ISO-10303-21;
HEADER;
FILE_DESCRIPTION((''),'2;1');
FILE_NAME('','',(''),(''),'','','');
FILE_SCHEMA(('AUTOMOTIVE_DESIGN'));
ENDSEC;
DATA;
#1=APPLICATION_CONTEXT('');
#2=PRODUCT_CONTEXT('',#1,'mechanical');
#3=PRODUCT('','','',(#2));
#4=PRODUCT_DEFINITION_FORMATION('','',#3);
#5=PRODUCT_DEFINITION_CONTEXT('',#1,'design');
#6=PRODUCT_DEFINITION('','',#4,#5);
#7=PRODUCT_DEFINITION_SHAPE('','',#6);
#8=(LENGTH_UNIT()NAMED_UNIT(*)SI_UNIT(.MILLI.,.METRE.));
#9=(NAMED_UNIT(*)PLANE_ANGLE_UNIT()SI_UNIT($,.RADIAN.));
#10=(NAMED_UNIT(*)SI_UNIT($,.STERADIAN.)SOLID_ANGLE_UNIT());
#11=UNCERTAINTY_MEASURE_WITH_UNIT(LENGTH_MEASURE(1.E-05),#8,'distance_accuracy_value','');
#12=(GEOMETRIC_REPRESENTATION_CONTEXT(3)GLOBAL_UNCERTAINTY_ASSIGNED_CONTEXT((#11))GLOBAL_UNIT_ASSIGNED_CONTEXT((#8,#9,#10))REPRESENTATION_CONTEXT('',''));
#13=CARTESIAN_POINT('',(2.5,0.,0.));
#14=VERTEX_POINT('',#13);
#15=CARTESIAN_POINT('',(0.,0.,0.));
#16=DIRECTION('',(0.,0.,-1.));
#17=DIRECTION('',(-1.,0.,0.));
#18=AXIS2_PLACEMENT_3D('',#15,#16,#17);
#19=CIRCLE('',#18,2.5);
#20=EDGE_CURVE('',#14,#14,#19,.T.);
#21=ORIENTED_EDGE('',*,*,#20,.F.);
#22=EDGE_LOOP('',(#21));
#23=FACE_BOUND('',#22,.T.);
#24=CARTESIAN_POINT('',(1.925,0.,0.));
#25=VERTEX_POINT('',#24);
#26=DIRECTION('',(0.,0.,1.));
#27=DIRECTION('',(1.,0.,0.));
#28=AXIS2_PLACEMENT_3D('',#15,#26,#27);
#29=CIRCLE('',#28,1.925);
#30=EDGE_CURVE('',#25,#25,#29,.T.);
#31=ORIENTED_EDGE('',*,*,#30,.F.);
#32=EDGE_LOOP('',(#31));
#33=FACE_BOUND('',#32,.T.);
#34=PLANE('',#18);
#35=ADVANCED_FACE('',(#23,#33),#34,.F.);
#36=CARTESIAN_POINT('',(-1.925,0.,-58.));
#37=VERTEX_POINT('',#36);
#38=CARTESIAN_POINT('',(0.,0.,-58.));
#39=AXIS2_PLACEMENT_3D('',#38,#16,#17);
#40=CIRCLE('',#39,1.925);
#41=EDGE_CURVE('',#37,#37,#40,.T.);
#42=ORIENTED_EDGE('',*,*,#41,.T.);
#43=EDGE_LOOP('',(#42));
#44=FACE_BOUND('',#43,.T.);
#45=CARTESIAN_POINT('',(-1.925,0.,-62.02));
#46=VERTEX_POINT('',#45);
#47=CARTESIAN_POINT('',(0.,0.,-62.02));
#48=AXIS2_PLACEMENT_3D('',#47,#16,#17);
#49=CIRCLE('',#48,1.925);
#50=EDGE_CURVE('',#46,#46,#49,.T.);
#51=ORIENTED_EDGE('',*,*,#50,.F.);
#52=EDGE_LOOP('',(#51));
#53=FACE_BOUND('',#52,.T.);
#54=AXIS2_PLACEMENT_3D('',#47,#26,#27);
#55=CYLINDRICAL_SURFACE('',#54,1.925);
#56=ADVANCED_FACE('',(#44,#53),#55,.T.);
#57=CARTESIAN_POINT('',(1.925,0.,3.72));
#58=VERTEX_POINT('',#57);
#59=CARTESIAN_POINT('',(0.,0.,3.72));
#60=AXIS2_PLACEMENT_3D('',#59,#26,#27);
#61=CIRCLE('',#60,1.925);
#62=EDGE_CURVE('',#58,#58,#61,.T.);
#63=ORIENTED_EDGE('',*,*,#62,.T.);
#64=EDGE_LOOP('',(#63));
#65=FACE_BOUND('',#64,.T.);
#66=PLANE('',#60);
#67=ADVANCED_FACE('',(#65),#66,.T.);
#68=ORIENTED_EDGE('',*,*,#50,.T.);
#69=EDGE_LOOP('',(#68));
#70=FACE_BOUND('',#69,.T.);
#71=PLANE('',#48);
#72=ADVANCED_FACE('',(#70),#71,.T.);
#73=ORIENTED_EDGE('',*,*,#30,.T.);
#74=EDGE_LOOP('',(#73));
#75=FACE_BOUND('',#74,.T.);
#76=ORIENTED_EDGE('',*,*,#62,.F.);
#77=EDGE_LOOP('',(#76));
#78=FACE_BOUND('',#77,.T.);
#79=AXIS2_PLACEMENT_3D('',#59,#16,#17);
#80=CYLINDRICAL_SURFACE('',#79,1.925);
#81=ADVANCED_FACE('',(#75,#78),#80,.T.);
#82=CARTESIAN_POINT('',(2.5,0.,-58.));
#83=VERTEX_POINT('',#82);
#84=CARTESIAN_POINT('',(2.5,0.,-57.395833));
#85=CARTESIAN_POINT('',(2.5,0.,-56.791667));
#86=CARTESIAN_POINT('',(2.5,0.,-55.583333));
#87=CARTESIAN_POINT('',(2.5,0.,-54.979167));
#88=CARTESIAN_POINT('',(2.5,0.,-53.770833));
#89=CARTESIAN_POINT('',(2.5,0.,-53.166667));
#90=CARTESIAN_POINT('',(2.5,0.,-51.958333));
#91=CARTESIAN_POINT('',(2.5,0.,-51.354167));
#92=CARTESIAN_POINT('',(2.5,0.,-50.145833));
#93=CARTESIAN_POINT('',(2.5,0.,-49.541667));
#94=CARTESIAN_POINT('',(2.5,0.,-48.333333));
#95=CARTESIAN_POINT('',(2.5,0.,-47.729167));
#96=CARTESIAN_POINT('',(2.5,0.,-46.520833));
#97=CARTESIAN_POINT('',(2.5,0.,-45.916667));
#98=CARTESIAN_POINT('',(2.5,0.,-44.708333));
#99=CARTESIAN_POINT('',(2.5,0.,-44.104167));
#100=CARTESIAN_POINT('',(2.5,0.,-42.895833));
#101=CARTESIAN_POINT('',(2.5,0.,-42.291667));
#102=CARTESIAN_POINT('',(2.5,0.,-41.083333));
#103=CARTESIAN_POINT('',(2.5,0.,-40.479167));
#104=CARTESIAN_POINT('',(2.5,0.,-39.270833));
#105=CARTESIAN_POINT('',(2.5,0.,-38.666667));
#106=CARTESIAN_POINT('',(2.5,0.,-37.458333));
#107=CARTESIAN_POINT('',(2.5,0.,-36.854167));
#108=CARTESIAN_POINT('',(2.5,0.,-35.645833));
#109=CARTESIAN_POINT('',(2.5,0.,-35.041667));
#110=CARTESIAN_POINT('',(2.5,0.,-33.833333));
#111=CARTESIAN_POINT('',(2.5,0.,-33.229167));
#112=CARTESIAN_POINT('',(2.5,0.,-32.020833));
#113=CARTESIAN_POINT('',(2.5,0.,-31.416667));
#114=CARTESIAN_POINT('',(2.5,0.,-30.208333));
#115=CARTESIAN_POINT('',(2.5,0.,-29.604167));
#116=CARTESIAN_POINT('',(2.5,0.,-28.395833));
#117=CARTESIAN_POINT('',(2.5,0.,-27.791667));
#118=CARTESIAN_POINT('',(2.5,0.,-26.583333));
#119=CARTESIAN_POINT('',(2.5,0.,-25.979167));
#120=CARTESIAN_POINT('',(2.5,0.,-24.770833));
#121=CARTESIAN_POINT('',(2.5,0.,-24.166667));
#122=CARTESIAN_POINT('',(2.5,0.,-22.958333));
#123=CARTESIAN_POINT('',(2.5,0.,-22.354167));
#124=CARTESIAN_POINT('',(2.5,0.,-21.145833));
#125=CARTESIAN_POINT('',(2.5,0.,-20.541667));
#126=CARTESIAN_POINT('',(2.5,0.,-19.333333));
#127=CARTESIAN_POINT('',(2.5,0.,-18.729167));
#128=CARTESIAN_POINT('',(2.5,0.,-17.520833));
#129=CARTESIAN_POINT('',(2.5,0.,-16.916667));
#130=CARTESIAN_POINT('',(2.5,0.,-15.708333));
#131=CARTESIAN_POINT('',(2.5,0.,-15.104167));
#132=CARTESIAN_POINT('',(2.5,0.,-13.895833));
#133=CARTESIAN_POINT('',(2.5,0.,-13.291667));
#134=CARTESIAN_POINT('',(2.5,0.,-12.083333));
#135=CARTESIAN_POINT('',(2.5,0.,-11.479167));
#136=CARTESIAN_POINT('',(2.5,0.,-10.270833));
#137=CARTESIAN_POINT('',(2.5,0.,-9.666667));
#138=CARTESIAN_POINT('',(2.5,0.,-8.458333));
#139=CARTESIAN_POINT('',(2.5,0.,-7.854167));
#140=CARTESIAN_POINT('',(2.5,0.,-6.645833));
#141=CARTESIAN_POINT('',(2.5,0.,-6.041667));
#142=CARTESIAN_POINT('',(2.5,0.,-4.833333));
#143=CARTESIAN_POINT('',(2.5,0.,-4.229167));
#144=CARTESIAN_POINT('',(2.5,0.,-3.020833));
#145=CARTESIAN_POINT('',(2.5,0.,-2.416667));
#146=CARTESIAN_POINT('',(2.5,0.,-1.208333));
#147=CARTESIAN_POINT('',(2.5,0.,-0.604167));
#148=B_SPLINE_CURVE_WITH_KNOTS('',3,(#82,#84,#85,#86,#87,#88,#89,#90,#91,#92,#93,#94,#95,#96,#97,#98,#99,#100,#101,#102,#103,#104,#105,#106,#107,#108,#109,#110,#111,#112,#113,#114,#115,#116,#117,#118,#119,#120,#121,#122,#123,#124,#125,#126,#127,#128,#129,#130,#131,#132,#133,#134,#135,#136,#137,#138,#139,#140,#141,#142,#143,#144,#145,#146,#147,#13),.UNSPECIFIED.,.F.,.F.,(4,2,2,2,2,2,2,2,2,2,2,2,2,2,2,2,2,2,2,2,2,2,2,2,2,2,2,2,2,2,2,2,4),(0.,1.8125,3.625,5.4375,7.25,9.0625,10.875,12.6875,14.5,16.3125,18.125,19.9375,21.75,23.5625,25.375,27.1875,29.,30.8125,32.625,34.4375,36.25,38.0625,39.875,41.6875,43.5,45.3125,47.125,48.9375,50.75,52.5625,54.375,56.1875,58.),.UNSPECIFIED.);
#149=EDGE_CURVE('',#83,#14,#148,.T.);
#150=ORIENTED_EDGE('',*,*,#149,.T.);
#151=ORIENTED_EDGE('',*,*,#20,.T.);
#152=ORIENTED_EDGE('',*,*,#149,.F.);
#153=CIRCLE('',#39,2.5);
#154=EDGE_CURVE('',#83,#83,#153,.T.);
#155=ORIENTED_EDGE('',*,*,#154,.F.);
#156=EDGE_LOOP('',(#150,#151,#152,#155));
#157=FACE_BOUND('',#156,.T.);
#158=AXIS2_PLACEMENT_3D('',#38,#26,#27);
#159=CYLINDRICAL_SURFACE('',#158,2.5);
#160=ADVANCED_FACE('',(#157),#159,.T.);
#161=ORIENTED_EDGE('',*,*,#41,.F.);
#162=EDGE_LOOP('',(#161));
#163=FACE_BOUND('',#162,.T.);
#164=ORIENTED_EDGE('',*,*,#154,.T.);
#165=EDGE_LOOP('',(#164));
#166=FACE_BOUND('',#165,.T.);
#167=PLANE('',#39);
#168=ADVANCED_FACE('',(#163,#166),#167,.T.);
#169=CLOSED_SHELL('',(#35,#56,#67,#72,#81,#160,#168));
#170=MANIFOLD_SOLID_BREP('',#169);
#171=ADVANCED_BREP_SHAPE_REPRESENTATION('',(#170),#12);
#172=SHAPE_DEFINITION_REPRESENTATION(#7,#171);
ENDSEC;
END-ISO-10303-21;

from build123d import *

# Parameters (mm, degrees)
SKETCH_1_R      = 1.925
EXTRUDE_1_DEPTH = 3.72
SKETCH_2_R      = 2.5
EXTRUDE_2_DEPTH = 58
EXTRUDE_START   = 4.02
SKETCH_3_R      = 1.925
EXTRUDE_3_DEPTH = 4.02


with BuildPart() as part:
    # 草图1 → 凸台-拉伸1 (new body)
    with BuildSketch(Plane.XY):
        Circle(SKETCH_1_R)
    extrude(amount=EXTRUDE_1_DEPTH)

    # 草图2 → 凸台-拉伸2 (add)
    with BuildSketch(Plane(origin=(0, 0, 0), x_dir=(-1, 0, 0), z_dir=(0, 0, -1))):
        with Locations(Location((0, 0, 0), (0, 0, 180))):
            Circle(SKETCH_2_R)
    extrude(amount=EXTRUDE_2_DEPTH)

    # 草图3 → 凸台-拉伸3 (add)
    with BuildSketch(Plane(origin=(0, 0, -58), x_dir=(-1, 0, 0), z_dir=(0, 0, -1)).offset(EXTRUDE_START)):
        with Locations(Location((0, 0, 0), (0, 0, 180))):
            Circle(SKETCH_3_R)
    extrude(amount=-EXTRUDE_3_DEPTH)


solid = part.part
